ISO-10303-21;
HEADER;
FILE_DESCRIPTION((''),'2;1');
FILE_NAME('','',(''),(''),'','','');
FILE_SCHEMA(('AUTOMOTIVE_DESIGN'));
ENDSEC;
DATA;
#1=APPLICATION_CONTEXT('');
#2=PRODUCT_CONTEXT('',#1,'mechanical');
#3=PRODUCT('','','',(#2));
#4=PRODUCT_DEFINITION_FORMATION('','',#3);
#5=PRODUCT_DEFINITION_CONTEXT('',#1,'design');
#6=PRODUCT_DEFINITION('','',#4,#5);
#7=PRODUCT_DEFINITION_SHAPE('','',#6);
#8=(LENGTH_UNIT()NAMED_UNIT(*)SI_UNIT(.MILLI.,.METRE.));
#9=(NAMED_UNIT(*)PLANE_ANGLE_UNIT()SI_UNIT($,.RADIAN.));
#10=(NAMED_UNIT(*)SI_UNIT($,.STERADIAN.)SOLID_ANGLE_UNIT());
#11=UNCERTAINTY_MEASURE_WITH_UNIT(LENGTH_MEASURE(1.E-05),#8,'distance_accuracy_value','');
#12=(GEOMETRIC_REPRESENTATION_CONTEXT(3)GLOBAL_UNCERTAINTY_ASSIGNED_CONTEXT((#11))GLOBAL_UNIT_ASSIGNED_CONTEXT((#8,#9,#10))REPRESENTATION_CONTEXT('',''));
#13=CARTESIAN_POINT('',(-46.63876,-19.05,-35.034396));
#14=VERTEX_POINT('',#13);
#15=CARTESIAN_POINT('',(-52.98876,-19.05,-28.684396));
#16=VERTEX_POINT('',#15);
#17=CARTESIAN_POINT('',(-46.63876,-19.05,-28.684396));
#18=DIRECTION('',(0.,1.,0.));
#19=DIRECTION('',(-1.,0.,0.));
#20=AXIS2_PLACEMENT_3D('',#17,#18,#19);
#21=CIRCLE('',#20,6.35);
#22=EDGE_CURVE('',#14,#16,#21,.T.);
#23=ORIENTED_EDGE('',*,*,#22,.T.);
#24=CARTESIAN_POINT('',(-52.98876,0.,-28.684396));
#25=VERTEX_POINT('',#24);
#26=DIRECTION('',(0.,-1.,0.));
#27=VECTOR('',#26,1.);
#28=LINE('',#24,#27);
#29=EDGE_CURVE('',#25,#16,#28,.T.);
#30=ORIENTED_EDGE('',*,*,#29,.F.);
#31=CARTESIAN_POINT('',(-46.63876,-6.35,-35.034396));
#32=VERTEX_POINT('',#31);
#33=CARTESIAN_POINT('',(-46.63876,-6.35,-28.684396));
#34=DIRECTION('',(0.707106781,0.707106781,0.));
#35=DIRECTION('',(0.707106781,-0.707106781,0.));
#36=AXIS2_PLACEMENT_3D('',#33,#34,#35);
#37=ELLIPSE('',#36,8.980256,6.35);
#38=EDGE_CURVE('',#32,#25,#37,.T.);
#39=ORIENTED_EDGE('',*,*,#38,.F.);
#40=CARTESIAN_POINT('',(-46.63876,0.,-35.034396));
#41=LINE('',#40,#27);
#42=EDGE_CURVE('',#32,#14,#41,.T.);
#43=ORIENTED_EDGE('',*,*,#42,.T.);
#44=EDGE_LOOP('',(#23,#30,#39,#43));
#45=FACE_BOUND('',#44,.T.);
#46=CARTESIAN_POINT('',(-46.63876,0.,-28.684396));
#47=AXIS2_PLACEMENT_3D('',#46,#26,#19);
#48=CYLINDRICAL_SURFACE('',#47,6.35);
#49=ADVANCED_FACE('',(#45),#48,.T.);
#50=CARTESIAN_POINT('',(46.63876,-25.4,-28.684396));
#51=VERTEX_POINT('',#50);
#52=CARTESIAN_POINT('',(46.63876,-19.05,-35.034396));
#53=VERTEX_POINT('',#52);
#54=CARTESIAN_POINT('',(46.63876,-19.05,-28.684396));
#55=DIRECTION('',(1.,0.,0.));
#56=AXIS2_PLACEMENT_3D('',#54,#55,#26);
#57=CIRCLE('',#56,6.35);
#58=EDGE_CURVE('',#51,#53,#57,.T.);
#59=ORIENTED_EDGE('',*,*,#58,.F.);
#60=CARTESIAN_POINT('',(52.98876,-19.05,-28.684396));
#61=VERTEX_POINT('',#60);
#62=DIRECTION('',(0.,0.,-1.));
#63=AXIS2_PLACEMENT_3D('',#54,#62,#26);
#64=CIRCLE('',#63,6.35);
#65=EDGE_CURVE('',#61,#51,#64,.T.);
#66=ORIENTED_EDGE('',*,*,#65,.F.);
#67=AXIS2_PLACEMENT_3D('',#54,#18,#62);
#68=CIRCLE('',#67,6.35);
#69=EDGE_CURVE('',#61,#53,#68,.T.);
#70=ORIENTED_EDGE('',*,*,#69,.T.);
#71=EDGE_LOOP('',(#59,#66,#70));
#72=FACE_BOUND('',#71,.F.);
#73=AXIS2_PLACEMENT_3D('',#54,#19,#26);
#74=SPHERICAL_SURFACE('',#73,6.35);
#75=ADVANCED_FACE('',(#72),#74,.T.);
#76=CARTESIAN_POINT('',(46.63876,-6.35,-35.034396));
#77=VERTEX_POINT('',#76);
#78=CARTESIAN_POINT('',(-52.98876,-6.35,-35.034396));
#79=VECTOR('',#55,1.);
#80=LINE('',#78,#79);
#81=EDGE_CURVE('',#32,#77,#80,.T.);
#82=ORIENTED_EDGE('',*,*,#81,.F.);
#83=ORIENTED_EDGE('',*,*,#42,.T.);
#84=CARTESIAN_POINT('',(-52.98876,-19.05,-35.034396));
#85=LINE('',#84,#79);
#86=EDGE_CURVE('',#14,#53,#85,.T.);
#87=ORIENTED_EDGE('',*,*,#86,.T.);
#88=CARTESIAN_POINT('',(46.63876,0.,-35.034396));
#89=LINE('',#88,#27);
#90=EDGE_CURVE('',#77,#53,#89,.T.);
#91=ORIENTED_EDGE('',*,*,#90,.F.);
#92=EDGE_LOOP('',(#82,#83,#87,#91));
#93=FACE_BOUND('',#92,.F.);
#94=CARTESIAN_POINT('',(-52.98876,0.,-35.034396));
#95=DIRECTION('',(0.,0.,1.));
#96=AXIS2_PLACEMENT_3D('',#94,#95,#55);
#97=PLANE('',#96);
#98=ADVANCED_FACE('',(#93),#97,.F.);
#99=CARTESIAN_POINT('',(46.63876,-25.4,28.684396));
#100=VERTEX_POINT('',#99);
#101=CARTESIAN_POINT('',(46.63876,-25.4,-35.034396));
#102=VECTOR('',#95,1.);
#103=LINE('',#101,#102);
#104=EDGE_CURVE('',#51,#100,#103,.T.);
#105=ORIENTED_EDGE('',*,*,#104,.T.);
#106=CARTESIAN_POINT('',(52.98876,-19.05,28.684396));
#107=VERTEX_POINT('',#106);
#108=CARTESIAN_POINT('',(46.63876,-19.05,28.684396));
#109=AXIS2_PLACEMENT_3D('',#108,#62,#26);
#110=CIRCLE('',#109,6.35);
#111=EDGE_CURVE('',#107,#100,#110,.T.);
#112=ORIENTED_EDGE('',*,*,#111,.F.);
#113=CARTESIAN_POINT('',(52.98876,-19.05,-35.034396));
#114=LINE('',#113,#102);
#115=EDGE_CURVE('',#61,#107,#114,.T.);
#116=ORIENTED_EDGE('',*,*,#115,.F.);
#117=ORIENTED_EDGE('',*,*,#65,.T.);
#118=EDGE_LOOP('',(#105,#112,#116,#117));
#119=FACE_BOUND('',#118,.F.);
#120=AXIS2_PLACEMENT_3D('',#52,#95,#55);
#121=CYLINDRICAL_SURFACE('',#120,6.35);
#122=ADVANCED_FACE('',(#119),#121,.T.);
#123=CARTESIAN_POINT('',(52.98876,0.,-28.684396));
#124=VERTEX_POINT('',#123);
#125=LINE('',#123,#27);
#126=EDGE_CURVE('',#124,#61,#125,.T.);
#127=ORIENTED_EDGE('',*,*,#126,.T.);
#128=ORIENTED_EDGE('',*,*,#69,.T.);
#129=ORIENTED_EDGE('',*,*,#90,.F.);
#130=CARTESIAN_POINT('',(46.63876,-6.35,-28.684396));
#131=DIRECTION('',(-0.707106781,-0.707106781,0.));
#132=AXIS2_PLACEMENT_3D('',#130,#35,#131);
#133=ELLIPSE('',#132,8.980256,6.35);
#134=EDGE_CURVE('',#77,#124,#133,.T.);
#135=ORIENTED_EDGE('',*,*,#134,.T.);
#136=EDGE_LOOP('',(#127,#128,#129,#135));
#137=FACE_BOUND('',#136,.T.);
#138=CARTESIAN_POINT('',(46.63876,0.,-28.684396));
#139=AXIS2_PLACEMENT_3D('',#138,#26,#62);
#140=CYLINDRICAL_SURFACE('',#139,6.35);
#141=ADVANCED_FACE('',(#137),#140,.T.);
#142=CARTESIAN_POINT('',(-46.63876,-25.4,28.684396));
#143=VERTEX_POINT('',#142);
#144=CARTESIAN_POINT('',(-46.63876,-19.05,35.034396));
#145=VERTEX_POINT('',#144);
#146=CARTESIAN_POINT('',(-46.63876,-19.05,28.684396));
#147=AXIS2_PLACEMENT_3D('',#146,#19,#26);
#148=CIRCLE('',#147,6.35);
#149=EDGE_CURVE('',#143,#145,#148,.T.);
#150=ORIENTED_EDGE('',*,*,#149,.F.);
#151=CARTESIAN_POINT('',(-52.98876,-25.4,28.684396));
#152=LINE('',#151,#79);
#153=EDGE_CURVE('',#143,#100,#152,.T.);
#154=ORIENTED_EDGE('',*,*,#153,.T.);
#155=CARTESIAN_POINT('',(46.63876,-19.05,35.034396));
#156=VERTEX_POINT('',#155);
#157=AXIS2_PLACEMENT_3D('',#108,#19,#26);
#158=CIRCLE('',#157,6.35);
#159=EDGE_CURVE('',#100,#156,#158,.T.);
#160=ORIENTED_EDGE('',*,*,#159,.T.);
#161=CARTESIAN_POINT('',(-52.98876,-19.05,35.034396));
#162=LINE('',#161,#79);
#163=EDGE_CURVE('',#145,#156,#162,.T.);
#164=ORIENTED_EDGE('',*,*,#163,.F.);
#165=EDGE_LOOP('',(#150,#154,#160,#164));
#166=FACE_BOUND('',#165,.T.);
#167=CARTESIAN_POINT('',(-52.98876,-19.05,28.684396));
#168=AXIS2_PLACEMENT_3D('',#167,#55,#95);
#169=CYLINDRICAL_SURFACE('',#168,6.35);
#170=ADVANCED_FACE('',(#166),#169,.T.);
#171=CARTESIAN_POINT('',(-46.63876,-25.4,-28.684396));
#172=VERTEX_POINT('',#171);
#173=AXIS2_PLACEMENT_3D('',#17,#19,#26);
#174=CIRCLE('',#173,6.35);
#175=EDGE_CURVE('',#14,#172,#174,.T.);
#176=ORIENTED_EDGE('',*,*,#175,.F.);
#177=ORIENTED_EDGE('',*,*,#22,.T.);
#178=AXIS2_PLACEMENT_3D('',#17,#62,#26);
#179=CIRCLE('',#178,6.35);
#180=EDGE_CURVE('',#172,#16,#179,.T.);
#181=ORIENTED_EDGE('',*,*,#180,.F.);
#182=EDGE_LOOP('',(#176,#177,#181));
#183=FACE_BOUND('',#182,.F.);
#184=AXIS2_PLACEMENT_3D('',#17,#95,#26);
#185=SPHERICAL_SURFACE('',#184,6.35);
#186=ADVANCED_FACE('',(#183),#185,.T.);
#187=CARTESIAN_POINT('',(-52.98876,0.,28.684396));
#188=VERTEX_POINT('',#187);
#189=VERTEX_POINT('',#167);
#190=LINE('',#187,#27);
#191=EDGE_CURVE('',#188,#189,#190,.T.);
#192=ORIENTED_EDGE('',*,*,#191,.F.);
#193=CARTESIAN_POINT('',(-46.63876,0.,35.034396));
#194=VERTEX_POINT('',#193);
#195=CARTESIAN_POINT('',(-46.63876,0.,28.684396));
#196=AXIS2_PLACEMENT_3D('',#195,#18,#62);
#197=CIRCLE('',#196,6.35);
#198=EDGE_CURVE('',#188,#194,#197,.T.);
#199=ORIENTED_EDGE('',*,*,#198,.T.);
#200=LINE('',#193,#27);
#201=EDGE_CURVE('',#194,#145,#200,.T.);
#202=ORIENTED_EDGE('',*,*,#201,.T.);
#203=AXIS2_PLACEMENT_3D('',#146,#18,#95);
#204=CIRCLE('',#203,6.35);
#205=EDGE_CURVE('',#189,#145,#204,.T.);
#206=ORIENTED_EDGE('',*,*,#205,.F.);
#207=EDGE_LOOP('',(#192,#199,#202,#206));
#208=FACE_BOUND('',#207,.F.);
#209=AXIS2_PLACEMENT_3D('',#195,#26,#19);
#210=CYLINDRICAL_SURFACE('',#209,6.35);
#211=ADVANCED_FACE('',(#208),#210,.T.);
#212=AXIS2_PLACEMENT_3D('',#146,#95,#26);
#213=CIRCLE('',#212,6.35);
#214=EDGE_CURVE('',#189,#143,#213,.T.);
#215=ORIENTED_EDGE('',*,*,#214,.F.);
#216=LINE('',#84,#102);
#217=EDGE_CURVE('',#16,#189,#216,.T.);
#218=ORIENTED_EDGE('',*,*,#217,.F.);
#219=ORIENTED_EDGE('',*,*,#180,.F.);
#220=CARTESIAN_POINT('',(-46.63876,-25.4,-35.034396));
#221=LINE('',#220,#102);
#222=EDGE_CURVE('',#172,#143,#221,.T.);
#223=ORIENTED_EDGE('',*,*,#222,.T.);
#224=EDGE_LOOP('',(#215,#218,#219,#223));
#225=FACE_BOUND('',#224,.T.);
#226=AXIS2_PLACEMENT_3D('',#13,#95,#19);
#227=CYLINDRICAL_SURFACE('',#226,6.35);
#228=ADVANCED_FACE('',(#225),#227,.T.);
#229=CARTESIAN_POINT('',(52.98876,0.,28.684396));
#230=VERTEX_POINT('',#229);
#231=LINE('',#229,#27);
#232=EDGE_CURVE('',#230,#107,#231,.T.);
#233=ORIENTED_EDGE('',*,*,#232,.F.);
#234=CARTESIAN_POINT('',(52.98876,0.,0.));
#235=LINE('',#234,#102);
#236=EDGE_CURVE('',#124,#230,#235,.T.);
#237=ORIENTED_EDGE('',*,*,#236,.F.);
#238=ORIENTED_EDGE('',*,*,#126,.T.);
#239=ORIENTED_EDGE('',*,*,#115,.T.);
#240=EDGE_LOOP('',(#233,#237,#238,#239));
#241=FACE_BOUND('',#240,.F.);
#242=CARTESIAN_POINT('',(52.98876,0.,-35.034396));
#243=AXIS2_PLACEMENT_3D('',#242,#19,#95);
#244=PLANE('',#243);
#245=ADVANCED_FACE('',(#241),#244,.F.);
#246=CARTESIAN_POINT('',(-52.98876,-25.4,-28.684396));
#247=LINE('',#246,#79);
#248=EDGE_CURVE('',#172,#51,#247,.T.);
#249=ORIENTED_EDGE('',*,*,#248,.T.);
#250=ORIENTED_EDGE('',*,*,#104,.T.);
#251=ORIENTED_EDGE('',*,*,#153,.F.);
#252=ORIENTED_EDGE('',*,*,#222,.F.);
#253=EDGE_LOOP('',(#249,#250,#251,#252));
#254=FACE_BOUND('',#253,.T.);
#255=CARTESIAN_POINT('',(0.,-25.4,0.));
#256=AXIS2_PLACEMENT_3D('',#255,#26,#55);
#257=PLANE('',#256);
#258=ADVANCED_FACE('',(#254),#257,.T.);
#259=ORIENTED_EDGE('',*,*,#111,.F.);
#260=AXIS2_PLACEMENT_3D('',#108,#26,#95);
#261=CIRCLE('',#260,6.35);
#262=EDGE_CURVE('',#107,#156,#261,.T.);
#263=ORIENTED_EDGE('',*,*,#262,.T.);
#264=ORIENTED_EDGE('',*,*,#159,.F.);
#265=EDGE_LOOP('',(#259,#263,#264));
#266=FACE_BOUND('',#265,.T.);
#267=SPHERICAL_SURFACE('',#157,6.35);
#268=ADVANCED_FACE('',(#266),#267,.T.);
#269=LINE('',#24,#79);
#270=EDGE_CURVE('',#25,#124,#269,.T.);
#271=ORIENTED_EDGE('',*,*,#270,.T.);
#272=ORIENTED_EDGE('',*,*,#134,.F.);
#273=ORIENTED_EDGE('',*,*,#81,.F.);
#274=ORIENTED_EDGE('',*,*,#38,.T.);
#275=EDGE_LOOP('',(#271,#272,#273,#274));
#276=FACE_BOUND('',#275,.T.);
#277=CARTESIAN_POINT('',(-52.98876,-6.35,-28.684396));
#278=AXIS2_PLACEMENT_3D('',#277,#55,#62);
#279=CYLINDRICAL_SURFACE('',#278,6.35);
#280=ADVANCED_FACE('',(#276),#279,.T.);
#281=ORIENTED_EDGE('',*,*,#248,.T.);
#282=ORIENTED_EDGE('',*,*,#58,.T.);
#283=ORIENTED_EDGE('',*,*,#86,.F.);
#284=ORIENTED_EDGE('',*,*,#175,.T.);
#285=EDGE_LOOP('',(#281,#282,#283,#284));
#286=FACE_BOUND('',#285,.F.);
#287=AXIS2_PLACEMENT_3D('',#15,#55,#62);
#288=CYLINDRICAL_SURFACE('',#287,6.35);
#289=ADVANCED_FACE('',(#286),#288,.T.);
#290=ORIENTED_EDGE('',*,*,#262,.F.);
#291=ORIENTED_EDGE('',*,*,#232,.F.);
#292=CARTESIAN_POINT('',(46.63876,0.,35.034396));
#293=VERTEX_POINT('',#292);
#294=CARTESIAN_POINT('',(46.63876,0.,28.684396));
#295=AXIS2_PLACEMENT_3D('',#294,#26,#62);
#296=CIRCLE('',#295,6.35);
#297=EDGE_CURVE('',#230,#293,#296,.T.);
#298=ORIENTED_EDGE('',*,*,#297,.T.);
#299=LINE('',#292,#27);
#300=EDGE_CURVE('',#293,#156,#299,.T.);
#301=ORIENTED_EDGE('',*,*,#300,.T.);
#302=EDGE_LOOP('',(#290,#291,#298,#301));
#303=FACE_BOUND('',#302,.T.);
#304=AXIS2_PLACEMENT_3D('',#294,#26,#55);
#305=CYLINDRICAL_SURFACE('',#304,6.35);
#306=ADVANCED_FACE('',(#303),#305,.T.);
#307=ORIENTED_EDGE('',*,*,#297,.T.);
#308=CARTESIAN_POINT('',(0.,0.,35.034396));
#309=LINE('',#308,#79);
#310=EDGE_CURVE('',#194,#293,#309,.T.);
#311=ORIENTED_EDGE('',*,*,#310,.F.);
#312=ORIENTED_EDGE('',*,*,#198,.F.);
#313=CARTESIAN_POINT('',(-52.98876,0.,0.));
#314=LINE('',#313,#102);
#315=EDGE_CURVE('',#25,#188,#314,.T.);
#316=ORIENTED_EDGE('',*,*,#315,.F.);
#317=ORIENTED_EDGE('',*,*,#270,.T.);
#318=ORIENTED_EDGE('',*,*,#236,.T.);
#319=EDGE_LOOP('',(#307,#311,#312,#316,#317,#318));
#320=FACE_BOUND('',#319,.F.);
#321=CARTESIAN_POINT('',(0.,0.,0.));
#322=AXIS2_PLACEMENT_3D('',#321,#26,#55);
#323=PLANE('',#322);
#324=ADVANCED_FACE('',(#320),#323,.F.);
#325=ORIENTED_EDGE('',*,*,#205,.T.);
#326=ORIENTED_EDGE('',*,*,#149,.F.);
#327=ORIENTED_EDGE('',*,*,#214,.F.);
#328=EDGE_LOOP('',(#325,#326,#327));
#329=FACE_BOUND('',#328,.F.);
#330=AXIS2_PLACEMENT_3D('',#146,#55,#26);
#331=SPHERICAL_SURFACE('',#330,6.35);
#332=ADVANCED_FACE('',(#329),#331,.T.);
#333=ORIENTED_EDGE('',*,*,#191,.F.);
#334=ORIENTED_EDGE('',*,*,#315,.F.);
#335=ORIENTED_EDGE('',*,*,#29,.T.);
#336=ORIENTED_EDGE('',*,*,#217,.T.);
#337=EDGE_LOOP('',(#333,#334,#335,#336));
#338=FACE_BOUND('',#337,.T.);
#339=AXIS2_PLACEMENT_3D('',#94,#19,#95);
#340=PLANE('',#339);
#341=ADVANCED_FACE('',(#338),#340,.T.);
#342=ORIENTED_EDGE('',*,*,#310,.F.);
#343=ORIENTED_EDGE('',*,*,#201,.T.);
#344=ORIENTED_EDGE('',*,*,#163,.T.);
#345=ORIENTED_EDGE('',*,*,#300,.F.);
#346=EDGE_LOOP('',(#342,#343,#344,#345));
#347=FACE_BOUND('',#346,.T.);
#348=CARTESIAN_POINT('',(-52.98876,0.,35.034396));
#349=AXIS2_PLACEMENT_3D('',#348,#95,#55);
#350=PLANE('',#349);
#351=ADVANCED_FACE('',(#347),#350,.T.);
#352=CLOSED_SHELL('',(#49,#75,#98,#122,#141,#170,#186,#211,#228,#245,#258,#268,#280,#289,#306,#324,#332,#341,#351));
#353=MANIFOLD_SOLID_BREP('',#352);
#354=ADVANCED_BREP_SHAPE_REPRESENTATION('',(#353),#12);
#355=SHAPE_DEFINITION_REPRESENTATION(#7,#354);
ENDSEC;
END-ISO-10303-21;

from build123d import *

# Parameters (mm, degrees)
F0_W     = 105.97752
F0_H     = 70.068792
F1_DEPTH = 25.4
F2_R     = 6.35


with BuildPart() as f1:
    # F0 (on Front) → F1 (new body)
    with BuildSketch(Plane.XZ):
        Rectangle(F0_W, F0_H)
    extrude(amount=F1_DEPTH)

    # F2
    f2_edges = [f1.edges().sort_by_distance(p)[0] for p in [
        (0, -25.4, 35.034396),
        (-52.98876, -25.4, 0),
        (0, -25.4, -35.034396),
        (52.98876, -25.4, 0),
        (52.98876, -12.7, -35.034396),
        (52.98876, -12.7, 35.034396),
        (0, 0, -35.034396),
        (-52.98876, -12.7, -35.034396),
        (-52.98876, -12.7, 35.034396),
    ]]
    fillet(f2_edges, radius=F2_R)


solid = f1.part
